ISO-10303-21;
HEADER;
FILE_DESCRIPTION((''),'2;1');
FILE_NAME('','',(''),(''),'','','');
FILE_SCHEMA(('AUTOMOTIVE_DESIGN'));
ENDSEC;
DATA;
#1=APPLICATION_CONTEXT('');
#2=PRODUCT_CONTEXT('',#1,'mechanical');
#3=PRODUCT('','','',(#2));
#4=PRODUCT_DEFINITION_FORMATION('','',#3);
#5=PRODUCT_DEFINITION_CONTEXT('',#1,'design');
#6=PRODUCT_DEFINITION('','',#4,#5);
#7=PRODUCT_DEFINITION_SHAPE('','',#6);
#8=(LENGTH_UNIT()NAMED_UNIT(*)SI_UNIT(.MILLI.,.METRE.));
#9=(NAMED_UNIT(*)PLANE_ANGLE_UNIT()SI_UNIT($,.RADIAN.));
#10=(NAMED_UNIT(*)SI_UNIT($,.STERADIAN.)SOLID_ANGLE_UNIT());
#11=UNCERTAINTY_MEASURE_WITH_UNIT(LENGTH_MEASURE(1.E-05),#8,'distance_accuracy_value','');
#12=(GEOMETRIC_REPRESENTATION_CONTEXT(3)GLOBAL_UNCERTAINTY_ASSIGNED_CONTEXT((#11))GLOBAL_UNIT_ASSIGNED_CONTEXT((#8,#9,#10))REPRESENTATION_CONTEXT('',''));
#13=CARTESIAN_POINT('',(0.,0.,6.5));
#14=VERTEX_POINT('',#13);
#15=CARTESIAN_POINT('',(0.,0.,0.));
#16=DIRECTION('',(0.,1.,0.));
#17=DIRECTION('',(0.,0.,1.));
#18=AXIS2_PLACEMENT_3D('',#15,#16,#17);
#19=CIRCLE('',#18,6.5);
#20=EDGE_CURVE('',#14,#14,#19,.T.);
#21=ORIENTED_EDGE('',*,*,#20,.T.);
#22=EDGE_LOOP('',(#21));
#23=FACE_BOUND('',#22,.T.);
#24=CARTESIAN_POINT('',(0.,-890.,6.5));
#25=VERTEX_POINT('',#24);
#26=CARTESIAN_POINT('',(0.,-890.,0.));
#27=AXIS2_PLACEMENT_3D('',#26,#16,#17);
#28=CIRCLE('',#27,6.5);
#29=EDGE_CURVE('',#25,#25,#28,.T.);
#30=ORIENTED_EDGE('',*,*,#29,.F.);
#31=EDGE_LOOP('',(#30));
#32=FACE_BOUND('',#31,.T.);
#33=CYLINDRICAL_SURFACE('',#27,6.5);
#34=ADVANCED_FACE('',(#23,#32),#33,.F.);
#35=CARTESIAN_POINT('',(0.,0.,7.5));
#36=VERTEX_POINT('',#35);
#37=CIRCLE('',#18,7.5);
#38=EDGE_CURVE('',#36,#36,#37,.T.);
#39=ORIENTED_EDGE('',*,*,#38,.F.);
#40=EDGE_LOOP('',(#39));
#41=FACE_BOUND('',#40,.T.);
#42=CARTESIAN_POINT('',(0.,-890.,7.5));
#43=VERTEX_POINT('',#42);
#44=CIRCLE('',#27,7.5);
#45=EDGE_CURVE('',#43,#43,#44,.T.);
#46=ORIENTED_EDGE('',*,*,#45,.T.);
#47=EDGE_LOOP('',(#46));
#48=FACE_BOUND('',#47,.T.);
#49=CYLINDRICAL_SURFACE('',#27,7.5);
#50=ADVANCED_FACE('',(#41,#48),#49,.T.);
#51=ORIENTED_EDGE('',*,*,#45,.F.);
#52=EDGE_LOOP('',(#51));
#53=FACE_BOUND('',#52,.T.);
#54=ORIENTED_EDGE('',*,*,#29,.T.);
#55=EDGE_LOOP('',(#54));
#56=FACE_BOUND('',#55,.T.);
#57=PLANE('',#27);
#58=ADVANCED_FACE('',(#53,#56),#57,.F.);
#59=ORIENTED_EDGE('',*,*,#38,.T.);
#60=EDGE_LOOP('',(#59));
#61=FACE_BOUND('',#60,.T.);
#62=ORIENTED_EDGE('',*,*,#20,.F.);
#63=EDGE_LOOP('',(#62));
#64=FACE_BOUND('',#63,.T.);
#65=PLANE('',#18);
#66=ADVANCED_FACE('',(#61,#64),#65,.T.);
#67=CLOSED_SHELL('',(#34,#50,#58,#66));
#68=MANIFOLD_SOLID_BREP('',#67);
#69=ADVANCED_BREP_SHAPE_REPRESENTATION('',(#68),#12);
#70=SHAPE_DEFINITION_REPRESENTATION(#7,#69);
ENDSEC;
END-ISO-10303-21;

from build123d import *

# Parameters (mm, degrees)
SKETCH1_R           = 7.5
SKETCH1_R_2         = 6.5
BOSS_EXTRUDE1_DEPTH = 890


with BuildPart() as part:
    # Sketch1 → Boss-Extrude1 (new body)
    with BuildSketch(Plane(origin=(0, 0, 0), x_dir=(1, 0, 0), z_dir=(0, 1, 0))):
        with Locations(Location((0, 0, 0), (0, 0, 270))):
            Circle(SKETCH1_R)
        with Locations(Location((0, 0, 0), (0, 0, 270))):
            Circle(SKETCH1_R_2, mode=Mode.SUBTRACT)
    extrude(amount=-BOSS_EXTRUDE1_DEPTH)


solid = part.part
